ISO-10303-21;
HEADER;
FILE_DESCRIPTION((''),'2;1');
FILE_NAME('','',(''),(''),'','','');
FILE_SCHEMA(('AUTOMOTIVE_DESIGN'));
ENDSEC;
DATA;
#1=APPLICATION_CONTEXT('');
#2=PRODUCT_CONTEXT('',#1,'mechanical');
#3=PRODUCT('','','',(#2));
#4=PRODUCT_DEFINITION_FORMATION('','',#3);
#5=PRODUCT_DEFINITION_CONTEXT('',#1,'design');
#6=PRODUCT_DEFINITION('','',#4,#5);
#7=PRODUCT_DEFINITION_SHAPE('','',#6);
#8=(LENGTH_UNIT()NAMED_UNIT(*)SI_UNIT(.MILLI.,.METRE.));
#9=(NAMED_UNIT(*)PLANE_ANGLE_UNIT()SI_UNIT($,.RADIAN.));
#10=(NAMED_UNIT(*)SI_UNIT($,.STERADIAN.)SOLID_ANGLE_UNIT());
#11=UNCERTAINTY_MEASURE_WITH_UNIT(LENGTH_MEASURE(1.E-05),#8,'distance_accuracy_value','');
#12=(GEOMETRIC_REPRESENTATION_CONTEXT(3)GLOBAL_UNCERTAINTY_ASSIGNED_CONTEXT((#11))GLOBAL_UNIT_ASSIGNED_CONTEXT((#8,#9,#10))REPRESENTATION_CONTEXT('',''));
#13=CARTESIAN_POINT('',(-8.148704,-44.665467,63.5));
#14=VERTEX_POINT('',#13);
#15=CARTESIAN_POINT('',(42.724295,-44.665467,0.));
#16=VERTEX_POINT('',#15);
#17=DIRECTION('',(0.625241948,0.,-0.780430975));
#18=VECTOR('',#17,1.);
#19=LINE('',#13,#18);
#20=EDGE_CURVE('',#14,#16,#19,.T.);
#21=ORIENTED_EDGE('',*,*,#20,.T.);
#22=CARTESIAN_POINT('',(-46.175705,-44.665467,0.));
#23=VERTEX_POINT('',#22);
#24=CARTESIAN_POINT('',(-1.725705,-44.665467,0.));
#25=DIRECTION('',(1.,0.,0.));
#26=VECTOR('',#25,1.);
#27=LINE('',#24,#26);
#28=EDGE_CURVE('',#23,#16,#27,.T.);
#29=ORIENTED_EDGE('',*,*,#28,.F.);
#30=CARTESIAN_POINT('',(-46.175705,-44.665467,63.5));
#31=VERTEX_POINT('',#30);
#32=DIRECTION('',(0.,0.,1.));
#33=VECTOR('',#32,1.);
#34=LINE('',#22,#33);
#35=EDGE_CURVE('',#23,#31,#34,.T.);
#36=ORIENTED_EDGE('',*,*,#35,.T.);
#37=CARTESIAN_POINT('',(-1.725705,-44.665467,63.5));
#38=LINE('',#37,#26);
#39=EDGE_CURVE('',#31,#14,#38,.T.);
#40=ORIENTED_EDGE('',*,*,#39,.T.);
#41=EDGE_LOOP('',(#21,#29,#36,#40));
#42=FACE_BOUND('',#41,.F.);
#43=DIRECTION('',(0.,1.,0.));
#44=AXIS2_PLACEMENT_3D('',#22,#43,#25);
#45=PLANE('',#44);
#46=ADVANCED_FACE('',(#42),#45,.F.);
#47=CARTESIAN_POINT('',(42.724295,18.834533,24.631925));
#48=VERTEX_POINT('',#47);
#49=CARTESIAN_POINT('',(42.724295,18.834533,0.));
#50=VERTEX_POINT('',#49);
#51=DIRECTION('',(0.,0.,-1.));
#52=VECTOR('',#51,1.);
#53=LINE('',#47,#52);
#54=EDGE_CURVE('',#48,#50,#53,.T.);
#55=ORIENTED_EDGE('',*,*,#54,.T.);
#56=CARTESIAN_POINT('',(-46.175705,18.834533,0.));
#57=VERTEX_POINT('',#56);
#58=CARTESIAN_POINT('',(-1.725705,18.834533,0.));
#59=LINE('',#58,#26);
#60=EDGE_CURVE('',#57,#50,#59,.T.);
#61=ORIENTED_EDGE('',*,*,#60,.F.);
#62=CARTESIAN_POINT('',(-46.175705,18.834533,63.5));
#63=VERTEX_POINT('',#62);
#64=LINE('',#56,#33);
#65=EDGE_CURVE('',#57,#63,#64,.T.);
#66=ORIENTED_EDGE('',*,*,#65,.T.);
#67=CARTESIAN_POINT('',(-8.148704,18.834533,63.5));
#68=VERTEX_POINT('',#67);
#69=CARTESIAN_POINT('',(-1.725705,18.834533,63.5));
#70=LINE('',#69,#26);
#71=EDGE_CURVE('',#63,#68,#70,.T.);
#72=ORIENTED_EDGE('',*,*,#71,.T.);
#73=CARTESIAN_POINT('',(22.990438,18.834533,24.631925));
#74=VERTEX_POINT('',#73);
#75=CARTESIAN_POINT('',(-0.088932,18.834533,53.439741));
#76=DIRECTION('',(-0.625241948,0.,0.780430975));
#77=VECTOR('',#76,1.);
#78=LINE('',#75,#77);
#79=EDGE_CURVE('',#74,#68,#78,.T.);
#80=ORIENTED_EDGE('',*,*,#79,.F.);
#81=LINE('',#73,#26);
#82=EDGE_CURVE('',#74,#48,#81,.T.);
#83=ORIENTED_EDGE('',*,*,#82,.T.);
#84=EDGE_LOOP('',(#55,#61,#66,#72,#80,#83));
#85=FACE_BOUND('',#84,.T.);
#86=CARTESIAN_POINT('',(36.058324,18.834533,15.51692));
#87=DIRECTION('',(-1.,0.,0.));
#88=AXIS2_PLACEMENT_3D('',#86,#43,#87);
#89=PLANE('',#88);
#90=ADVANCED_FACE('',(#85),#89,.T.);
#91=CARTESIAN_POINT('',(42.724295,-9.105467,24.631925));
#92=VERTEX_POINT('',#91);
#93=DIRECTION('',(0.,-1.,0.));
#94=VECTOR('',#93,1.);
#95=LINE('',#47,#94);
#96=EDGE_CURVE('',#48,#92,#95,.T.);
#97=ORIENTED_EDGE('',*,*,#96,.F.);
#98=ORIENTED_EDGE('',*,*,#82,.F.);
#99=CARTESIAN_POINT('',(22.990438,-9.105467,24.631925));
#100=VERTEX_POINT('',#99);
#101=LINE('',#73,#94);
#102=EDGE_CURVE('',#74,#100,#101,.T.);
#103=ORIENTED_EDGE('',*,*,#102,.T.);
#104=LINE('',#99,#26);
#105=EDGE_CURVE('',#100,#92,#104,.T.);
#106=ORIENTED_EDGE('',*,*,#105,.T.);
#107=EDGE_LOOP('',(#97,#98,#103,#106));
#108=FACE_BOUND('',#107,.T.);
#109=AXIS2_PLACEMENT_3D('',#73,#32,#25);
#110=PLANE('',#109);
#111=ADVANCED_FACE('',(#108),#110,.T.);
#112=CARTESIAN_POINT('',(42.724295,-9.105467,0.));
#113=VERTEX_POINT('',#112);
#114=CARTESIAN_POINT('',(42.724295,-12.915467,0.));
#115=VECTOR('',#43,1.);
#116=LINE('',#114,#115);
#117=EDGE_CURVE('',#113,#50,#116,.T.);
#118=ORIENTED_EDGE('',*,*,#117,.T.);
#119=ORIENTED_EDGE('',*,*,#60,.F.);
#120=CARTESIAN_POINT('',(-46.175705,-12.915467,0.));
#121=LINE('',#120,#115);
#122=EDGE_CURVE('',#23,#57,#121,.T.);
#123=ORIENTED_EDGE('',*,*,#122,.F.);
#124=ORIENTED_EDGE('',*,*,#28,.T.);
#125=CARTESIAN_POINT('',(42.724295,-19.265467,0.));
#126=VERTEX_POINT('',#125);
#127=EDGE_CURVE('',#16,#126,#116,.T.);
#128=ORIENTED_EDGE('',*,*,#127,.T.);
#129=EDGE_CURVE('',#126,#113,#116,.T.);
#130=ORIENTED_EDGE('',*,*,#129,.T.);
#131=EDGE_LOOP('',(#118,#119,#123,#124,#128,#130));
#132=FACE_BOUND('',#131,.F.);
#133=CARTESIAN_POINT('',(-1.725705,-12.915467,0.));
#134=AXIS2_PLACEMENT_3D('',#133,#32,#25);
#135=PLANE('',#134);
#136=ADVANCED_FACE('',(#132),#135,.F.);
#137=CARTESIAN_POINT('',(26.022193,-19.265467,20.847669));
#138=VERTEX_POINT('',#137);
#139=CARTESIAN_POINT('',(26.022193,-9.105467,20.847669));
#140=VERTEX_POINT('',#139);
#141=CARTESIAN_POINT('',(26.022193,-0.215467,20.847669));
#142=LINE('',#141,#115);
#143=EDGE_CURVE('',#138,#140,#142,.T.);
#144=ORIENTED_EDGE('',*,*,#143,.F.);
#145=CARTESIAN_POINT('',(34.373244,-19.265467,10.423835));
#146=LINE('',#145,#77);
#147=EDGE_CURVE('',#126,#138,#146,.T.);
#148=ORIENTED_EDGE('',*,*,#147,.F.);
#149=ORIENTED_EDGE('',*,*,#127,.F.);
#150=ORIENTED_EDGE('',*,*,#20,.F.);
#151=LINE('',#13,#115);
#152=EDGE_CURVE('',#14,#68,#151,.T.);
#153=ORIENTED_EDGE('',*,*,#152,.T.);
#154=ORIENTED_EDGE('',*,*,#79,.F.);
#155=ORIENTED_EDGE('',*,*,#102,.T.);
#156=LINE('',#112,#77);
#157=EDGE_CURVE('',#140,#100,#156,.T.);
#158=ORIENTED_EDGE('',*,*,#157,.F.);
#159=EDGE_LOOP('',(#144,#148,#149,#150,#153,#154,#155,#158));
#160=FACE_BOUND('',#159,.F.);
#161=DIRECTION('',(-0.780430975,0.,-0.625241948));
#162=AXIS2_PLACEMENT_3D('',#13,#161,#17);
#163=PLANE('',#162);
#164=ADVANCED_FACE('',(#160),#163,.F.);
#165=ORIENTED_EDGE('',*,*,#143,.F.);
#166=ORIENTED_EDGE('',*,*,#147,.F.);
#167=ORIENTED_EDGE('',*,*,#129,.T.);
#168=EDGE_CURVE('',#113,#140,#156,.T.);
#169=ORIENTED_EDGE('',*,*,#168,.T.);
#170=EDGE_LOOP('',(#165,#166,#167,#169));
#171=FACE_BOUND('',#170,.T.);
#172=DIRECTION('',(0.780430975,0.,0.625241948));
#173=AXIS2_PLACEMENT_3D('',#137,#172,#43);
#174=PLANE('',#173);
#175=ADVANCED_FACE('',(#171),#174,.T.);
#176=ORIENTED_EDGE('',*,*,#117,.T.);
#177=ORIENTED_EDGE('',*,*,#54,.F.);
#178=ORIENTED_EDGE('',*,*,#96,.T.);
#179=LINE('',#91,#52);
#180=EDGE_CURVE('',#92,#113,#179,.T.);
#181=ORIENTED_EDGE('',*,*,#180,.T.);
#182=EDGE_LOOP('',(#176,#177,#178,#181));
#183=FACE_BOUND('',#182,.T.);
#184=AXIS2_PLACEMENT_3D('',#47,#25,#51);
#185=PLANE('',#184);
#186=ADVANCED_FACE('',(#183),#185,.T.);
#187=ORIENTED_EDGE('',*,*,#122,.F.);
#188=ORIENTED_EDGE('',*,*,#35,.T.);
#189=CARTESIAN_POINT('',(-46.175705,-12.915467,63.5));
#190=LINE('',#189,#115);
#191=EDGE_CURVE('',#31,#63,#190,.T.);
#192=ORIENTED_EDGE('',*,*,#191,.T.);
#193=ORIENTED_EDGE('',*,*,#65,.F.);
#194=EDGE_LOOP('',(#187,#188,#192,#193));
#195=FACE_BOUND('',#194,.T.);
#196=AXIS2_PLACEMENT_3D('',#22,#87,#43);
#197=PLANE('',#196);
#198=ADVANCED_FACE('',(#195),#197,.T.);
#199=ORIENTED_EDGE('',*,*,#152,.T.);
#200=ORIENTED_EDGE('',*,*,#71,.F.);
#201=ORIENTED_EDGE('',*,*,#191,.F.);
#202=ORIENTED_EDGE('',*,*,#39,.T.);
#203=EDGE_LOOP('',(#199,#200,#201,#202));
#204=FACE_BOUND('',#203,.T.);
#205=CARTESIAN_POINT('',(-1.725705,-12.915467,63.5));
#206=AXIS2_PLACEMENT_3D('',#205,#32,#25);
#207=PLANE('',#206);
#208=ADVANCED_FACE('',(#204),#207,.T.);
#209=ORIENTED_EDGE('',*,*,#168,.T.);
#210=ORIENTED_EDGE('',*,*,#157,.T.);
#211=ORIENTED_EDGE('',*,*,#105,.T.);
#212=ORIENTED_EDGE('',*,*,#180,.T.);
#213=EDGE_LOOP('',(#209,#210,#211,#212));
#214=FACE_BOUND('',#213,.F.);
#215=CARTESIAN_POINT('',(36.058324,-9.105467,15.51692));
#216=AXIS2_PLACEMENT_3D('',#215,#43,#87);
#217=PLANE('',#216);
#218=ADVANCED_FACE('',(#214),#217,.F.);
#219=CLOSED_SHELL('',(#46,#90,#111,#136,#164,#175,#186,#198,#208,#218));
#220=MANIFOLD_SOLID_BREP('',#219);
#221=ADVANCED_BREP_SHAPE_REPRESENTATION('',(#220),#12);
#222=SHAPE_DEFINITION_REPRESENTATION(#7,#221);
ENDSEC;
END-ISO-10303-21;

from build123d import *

# Parameters (mm, degrees)
F0_W     = 88.9
F0_H     = 63.5
F1_DEPTH = 63.5
F3_DEPTH = 63.501
F4_W     = 38.1
F4_H     = 26.7130212291
F5_DEPTH = 25.4
F6_W     = 25.4
F6_H     = 38.1
F7_DEPTH = 40.132
F9_DEPTH = 27.94


with BuildPart() as f1:
    # F0 (on Top) → F1 (new body)
    with BuildSketch(Plane.XY):
        with Locations((-1.7257053405, -12.9154672953)):
            Rectangle(F0_W, F0_H)
    extrude(amount=F1_DEPTH)

    # F2 (on face) → F3 (cut, through all)
    with BuildSketch(Plane.XZ.offset(44.6654672953)):
        Polygon((42.7242946595, 63.5), (-8.1487037241, 63.5), (42.7242946595, 0), align=None)
    extrude(amount=-F3_DEPTH, mode=Mode.SUBTRACT)

    # F4 (on face) → F5 (join)
    with BuildSketch(Plane(origin=(26.0221932234, 0, 20.8476691936), x_dir=(0, 1, 0), z_dir=(0.7804309746, 0, 0.6252419482))):
        with Locations((-0.2154672953, -13.3565106146)):
            Rectangle(F4_W, F4_H)
    extrude(amount=F5_DEPTH)

    # F6 (on face) → F7 (cut)
    with BuildSketch(Plane(origin=(0, 0, 0), x_dir=(0.7804309746, 0, 0.6252419482), z_dir=(-0.6252419482, 0, 0.7804309746))):
        with Locations((46.0433629222, -0.2154672953)):
            Rectangle(F6_W, F6_H)
    extrude(amount=-F7_DEPTH, mode=Mode.SUBTRACT)

    # F8 (on face) → F9 (join)
    with BuildSketch(Plane(origin=(0, 18.8345327047, 0), x_dir=(-1, 0, 0), z_dir=(0, 1, 0))):
        Polygon((-42.7242946595, 0), (-22.9904382266, 24.6319250545), (-42.7242946595, 24.6319250545), align=None)
    extrude(amount=-F9_DEPTH)


solid = f1.part
